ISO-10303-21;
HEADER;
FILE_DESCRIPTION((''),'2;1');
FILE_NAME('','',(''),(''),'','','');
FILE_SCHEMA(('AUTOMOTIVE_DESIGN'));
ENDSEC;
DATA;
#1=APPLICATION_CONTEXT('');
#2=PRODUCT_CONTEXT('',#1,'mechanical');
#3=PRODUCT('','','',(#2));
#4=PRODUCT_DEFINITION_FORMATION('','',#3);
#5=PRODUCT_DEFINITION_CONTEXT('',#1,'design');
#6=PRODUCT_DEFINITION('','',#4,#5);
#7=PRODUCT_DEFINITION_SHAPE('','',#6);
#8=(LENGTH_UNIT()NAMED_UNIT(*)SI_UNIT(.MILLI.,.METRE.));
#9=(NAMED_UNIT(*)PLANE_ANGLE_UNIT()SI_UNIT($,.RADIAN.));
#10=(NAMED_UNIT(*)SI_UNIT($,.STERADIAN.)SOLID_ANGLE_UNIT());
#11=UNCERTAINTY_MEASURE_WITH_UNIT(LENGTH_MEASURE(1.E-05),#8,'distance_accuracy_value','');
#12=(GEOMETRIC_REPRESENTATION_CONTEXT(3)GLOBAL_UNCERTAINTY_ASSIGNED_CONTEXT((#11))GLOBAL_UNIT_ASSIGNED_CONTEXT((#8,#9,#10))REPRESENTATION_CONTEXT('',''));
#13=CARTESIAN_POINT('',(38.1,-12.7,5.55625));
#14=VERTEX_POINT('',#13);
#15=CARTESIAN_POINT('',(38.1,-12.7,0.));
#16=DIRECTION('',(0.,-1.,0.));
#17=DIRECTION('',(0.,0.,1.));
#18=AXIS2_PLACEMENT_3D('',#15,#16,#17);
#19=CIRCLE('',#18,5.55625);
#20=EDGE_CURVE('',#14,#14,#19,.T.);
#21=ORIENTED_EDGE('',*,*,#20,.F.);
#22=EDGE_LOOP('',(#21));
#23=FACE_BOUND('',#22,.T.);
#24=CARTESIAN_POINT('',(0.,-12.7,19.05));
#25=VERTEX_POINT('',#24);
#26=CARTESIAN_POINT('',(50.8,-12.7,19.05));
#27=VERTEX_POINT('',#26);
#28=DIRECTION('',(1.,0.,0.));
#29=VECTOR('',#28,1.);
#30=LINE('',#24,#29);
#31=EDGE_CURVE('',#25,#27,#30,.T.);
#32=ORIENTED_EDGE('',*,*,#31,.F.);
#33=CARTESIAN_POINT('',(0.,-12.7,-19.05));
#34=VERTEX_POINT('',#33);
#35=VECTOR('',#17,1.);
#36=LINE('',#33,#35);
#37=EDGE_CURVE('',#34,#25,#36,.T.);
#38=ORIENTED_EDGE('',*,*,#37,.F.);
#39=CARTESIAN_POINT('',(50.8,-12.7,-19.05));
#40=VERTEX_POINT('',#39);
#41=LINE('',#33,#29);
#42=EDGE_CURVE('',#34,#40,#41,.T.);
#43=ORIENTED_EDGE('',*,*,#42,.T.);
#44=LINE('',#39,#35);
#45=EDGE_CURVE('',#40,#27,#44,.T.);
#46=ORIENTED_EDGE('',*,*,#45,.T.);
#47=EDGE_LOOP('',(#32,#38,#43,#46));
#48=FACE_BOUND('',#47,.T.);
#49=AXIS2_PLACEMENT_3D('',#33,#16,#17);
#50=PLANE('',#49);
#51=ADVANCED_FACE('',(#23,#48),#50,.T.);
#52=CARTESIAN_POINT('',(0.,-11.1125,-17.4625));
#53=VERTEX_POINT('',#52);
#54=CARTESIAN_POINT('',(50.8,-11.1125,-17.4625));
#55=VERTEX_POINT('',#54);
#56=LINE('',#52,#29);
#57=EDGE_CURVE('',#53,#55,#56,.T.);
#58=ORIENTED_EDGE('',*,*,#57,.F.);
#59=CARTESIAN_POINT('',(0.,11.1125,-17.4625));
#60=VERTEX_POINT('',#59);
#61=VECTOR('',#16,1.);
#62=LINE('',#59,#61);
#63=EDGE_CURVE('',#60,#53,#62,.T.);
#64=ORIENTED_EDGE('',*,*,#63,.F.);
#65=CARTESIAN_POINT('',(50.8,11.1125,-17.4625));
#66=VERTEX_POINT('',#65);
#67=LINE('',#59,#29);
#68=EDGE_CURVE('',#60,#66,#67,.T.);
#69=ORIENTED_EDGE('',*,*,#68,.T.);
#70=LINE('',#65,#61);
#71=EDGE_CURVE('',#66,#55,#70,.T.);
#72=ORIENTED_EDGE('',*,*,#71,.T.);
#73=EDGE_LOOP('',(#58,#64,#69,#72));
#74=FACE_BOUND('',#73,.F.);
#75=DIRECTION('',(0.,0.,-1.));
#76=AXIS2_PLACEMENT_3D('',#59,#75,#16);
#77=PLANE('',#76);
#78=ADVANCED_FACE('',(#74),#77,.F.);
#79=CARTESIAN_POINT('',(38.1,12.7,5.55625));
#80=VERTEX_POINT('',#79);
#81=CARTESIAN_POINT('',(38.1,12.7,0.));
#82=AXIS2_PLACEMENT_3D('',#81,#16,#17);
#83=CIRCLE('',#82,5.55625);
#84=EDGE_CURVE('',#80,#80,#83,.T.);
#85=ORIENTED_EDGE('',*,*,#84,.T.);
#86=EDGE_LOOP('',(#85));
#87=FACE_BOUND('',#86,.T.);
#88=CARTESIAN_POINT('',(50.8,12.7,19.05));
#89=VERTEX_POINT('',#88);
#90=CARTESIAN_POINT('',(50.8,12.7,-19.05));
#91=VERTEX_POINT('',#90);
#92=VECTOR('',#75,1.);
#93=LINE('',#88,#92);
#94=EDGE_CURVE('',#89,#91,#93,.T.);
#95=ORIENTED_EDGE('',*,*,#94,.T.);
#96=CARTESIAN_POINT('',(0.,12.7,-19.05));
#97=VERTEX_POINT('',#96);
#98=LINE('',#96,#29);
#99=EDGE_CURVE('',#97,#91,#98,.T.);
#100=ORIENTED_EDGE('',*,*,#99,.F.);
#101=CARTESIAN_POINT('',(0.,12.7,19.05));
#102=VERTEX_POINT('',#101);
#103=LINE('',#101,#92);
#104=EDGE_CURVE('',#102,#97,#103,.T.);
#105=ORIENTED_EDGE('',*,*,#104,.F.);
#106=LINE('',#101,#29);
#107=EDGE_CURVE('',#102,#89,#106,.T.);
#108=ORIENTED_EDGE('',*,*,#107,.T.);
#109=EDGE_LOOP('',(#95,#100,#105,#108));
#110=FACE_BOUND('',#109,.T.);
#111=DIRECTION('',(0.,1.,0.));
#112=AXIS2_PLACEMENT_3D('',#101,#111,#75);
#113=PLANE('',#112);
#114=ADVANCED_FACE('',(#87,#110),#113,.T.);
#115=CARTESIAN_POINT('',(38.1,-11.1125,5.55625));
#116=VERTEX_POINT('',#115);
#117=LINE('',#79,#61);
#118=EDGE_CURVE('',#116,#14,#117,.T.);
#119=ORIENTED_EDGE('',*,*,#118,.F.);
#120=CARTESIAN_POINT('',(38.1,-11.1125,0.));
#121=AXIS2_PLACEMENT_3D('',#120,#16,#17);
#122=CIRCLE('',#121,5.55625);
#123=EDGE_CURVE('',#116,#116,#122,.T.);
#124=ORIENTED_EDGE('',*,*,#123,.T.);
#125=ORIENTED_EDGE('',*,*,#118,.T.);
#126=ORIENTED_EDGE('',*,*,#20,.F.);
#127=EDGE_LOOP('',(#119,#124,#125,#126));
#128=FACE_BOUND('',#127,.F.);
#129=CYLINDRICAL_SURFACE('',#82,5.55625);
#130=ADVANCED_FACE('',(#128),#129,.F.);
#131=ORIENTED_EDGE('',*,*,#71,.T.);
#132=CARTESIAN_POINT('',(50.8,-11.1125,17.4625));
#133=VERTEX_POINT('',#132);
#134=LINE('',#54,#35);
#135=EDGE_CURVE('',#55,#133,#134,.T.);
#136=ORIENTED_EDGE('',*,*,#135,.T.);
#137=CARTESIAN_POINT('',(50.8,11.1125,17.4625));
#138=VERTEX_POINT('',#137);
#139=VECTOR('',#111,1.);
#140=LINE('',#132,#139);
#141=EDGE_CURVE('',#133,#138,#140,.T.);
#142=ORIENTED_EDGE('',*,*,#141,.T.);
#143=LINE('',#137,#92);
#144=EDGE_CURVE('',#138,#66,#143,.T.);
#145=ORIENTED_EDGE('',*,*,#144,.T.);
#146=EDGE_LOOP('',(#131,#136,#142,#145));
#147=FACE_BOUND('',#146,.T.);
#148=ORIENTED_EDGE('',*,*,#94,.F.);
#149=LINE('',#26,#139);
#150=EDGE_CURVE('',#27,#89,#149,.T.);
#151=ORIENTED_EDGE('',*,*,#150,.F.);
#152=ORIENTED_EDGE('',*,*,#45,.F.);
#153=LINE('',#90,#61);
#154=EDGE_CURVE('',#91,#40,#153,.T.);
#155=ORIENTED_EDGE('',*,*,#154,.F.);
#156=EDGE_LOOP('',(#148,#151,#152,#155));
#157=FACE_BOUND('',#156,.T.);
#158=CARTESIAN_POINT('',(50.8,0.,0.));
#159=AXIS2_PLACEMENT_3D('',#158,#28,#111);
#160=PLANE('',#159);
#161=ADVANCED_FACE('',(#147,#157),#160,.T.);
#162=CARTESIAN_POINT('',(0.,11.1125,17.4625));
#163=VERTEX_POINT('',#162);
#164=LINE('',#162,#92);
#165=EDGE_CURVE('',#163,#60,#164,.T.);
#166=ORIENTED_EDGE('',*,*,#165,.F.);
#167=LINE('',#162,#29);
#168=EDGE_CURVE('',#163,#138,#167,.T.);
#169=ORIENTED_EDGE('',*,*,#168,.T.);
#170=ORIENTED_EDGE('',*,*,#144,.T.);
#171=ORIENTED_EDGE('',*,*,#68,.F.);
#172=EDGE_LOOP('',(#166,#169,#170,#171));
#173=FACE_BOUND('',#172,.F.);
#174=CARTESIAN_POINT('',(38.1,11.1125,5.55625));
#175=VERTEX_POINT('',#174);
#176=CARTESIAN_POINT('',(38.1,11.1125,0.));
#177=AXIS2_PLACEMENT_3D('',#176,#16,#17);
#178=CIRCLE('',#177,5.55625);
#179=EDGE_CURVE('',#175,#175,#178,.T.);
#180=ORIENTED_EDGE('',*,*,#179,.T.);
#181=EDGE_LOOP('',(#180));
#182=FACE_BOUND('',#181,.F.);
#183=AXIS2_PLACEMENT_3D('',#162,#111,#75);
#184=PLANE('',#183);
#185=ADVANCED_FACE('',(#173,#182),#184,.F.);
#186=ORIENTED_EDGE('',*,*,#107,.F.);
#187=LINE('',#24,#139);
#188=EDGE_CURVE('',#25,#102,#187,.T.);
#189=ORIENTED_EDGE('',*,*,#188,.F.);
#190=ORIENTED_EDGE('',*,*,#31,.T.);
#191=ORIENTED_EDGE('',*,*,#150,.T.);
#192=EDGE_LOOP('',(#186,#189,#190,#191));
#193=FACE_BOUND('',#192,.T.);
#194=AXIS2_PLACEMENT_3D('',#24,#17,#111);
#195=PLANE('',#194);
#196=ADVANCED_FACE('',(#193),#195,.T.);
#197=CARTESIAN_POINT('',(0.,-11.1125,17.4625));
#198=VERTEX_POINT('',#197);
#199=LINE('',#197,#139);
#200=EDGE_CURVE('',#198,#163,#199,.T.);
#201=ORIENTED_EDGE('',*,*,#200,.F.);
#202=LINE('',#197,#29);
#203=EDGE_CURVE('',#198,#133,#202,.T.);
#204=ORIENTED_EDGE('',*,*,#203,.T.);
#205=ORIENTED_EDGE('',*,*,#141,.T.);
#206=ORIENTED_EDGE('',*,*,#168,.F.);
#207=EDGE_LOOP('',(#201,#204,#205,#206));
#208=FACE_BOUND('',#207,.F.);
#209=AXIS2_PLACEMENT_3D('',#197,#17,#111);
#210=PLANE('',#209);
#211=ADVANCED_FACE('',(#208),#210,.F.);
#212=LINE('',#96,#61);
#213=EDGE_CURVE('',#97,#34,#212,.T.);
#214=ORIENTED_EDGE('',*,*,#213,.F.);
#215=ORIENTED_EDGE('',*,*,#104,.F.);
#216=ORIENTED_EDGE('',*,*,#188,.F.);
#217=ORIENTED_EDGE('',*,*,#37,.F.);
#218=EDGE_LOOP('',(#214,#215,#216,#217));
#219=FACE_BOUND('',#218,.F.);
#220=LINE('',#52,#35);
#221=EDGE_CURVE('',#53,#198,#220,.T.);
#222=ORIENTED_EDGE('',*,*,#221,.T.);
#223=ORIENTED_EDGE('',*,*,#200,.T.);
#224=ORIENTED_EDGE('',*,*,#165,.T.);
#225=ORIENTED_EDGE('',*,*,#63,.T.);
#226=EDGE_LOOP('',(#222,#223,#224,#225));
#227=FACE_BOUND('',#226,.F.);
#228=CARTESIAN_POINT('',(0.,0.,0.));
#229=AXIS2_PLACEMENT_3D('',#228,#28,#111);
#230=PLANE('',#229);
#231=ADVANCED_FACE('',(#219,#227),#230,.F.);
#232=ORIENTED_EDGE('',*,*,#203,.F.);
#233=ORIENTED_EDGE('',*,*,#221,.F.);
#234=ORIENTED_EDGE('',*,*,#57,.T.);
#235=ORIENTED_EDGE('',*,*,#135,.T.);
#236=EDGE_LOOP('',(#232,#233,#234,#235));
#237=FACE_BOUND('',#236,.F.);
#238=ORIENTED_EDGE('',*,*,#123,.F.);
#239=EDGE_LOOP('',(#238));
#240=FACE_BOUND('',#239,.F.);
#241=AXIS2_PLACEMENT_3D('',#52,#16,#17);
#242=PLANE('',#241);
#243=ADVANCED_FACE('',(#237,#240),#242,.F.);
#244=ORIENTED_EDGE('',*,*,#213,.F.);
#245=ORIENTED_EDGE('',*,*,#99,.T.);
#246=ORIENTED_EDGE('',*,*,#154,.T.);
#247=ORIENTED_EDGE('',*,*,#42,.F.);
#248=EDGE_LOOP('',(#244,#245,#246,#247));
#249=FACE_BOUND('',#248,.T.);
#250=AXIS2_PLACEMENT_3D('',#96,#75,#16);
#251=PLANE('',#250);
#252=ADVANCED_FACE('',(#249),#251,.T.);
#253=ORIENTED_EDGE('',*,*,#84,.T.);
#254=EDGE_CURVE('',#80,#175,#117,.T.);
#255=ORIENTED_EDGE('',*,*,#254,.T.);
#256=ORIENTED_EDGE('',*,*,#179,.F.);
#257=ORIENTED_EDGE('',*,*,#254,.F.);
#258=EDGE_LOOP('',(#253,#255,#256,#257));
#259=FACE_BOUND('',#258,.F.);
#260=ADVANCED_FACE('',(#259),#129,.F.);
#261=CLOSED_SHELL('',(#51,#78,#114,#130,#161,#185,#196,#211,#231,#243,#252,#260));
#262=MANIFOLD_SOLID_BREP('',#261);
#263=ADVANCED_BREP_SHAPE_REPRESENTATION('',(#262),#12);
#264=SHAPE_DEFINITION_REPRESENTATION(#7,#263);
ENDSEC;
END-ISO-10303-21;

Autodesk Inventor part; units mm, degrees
ref_plane "Work Plane3" through (0, 12.7, 0) normal (0, 1, 0) x (-1, 0, 0)
ref_plane "Start Plane" through (0, 0, 0) normal (1, 0, 0) x (0, 1, 0)
ref_plane "End Plane" through (50.8, 0, 0) normal (1, 0, 0) x (0, 1, 0)
sketch "Sketch" plane through (0, 0, 0) normal (1, 0, 0) x (0, 1, 0)
  line L0 (-12.7, 19.05) -> (12.7, 19.05)
  line L1 (12.7, 19.05) -> (12.7, -19.05)
  line L2 (12.7, -19.05) -> (-12.7, -19.05)
  line L3 (-12.7, -19.05) -> (-12.7, 19.05)
  line L4 (-12.7, 19.05) -> (12.7, -19.05) construction
  line L5 (12.7, 19.05) -> (-12.7, -19.05) construction
  line L6 (-11.1125, 17.4625) -> (11.1125, 17.4625)
  line L7 (11.1125, 17.4625) -> (11.1125, -17.4625)
  line L8 (11.1125, -17.4625) -> (-11.1125, -17.4625)
  line L9 (-11.1125, -17.4625) -> (-11.1125, 17.4625)
  line L10 (-11.1125, 17.4625) -> (11.1125, -17.4625) construction
  line L11 (11.1125, 17.4625) -> (-11.1125, -17.4625) construction
  point P0 (0, 0)
  dimension "d0" = 38.1
  dimension "d1" = 25.4
  dimension "d2" = 1.5875
  dimension "d3" = 1.5875
extrude "Body" add sketch "Sketch" along normal up to surface (50.8 mm away) from surface at 0
sketch "Sketch8" plane through (0, 0, 0) normal (1, 0, 0) x (0, 1, 0)
  line L0 (0, 0) -> (10, 0)
ref_plane "Work Plane6" through (0, 0, 0) normal (0, 0, -1) x (0, 1, 0)
sketch "Sketch9" plane through (0, 0, 0) normal (0, 0, -1) x (0, 1, 0)
  line L0 (-17.78, 0) -> (17.78, 0)
  line L1 (-17.78, 50.8) -> (17.78, 50.8)
  dimension "d21" = 50.8
sketch "Sketch5" plane through (0, 12.7, -19.05) normal (0, 1, 0) x (1, 0, 0)
  line L0 (0, -38.1) -> (0, 0) projected
  point P0 (0, -19.05)
  point P1 (38.1, -19.05)
  dimension "d22" = 38.1
hole "Hole2" at (38.1, 12.7, 0) direction (0, -1, 0) diameter 11.1125 end through all
equation "\"d3\" = d2"
equation "\"G_OFFSET_START\" = 0"
equation "\"G_OFFSET_END\" = 0"
equation "\"d17\" = d4 + G_OFFSET_END"
equation "\"G_L\" = d21"
equation "\"d4\" = 50.8"
properties part number "1606067136233"
